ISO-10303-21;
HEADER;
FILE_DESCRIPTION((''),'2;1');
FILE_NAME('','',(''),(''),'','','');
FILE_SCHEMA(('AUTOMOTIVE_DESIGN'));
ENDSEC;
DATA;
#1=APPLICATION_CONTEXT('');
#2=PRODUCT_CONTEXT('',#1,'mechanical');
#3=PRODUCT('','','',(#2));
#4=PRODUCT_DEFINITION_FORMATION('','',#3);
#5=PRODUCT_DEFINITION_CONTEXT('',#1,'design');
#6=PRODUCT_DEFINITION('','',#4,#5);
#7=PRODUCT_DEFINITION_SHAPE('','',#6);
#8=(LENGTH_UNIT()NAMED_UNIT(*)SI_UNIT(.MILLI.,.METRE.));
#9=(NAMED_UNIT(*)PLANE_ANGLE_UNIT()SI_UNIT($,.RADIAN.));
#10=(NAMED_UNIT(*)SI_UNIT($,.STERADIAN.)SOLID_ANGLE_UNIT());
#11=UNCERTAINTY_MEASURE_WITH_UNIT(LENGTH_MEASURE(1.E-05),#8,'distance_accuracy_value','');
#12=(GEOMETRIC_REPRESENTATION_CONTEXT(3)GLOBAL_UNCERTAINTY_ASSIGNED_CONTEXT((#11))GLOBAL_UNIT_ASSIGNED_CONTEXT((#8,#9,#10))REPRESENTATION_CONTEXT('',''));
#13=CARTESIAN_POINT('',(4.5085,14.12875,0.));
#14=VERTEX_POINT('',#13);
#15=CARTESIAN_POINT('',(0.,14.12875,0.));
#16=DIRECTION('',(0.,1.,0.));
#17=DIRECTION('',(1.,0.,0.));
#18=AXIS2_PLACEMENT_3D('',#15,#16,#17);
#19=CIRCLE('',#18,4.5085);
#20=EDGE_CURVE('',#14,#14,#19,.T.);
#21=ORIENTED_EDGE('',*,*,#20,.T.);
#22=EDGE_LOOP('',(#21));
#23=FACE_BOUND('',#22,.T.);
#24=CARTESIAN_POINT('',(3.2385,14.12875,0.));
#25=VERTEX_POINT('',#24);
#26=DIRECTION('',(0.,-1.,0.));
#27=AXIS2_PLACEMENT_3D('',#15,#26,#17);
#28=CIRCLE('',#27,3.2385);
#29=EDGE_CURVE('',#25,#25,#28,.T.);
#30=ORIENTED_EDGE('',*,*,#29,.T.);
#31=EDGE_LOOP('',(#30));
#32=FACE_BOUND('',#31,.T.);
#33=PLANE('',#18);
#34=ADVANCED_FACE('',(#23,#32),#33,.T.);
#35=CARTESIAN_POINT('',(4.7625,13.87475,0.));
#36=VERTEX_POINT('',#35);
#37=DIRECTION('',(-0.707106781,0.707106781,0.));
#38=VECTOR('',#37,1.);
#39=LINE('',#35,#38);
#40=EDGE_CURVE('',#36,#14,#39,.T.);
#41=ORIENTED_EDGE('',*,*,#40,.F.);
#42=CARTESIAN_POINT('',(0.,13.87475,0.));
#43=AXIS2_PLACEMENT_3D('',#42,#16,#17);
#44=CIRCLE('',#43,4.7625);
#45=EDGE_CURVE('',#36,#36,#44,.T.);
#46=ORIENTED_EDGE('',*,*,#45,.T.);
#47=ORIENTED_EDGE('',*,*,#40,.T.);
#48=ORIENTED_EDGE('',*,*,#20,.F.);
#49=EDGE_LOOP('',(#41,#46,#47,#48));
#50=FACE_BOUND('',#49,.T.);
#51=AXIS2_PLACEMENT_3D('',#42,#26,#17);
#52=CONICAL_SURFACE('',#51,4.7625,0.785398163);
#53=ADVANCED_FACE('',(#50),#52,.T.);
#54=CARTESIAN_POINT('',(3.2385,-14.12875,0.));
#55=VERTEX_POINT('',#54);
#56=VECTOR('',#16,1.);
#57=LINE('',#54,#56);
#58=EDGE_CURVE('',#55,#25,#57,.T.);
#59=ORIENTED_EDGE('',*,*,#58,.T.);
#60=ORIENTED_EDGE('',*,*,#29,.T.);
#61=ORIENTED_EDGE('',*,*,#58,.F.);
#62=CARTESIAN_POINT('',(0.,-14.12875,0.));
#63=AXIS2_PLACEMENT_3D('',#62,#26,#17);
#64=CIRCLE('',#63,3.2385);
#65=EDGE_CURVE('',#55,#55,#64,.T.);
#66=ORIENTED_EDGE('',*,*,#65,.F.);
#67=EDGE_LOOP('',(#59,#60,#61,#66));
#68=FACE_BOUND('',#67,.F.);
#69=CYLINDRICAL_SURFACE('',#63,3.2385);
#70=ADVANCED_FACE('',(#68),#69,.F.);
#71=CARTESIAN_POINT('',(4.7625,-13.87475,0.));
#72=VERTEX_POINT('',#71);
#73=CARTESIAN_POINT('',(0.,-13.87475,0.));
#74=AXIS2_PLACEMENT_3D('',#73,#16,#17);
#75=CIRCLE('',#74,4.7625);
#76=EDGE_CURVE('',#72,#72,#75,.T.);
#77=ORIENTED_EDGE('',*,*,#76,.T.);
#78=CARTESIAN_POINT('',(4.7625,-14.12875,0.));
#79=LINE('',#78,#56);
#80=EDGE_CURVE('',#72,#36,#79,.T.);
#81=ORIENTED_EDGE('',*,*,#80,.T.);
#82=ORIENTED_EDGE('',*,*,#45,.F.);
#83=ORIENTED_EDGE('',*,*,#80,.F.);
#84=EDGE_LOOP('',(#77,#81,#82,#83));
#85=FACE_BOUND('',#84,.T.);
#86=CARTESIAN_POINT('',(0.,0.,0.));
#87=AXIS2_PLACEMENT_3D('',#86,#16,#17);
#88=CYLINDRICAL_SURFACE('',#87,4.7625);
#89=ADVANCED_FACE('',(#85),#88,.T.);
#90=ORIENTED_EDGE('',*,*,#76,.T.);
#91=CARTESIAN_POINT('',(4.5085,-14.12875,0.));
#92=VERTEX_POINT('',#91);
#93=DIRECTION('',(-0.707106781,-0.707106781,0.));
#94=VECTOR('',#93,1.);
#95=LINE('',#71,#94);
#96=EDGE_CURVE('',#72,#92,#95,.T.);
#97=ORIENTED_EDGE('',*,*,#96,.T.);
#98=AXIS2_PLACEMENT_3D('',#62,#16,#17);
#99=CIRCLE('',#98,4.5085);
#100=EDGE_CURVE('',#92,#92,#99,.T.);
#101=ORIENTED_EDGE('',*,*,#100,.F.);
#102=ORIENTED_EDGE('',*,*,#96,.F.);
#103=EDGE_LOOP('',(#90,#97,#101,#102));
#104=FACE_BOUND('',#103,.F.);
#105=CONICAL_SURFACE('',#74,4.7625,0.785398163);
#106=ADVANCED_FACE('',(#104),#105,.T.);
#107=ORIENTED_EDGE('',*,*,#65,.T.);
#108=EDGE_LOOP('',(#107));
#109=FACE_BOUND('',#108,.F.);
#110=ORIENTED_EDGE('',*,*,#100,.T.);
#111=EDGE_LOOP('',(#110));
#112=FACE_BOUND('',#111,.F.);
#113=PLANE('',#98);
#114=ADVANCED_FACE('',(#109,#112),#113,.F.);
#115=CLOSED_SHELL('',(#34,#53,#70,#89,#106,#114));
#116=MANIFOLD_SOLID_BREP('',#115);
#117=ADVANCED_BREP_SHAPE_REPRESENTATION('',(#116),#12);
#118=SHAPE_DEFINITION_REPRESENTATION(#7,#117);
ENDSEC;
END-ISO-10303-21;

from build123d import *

# Parameters (mm, degrees)
SKETCH1_R           = 4.7625
BOSS_EXTRUDE1_DEPTH = 14.12875
CHAMFER1_SIZE       = 0.254
SKETCH2_R           = 3.2385
CUT_EXTRUDE1_DEPTH  = 29.2575


with BuildPart() as part:
    # Sketch1 → Boss-Extrude1 (new body, symmetric)
    with BuildSketch(Plane(origin=(0, 0, 0), x_dir=(1, 0, 0), z_dir=(0, 1, 0))):
        Circle(SKETCH1_R)
    extrude(amount=BOSS_EXTRUDE1_DEPTH, both=True)

    # Chamfer1
    chamfer1_edges = [part.edges().sort_by_distance(p)[0] for p in [
        (-4.7625, -14.12875, 0),
        (-4.7625, 14.12875, 0),
    ]]
    chamfer(chamfer1_edges, length=CHAMFER1_SIZE)

    # Sketch2 → Cut-Extrude1 (cut, through all)
    with BuildSketch(Plane.XZ.offset(14.12875)):
        Circle(SKETCH2_R)
    extrude(amount=-CUT_EXTRUDE1_DEPTH, mode=Mode.SUBTRACT)


solid = part.part
